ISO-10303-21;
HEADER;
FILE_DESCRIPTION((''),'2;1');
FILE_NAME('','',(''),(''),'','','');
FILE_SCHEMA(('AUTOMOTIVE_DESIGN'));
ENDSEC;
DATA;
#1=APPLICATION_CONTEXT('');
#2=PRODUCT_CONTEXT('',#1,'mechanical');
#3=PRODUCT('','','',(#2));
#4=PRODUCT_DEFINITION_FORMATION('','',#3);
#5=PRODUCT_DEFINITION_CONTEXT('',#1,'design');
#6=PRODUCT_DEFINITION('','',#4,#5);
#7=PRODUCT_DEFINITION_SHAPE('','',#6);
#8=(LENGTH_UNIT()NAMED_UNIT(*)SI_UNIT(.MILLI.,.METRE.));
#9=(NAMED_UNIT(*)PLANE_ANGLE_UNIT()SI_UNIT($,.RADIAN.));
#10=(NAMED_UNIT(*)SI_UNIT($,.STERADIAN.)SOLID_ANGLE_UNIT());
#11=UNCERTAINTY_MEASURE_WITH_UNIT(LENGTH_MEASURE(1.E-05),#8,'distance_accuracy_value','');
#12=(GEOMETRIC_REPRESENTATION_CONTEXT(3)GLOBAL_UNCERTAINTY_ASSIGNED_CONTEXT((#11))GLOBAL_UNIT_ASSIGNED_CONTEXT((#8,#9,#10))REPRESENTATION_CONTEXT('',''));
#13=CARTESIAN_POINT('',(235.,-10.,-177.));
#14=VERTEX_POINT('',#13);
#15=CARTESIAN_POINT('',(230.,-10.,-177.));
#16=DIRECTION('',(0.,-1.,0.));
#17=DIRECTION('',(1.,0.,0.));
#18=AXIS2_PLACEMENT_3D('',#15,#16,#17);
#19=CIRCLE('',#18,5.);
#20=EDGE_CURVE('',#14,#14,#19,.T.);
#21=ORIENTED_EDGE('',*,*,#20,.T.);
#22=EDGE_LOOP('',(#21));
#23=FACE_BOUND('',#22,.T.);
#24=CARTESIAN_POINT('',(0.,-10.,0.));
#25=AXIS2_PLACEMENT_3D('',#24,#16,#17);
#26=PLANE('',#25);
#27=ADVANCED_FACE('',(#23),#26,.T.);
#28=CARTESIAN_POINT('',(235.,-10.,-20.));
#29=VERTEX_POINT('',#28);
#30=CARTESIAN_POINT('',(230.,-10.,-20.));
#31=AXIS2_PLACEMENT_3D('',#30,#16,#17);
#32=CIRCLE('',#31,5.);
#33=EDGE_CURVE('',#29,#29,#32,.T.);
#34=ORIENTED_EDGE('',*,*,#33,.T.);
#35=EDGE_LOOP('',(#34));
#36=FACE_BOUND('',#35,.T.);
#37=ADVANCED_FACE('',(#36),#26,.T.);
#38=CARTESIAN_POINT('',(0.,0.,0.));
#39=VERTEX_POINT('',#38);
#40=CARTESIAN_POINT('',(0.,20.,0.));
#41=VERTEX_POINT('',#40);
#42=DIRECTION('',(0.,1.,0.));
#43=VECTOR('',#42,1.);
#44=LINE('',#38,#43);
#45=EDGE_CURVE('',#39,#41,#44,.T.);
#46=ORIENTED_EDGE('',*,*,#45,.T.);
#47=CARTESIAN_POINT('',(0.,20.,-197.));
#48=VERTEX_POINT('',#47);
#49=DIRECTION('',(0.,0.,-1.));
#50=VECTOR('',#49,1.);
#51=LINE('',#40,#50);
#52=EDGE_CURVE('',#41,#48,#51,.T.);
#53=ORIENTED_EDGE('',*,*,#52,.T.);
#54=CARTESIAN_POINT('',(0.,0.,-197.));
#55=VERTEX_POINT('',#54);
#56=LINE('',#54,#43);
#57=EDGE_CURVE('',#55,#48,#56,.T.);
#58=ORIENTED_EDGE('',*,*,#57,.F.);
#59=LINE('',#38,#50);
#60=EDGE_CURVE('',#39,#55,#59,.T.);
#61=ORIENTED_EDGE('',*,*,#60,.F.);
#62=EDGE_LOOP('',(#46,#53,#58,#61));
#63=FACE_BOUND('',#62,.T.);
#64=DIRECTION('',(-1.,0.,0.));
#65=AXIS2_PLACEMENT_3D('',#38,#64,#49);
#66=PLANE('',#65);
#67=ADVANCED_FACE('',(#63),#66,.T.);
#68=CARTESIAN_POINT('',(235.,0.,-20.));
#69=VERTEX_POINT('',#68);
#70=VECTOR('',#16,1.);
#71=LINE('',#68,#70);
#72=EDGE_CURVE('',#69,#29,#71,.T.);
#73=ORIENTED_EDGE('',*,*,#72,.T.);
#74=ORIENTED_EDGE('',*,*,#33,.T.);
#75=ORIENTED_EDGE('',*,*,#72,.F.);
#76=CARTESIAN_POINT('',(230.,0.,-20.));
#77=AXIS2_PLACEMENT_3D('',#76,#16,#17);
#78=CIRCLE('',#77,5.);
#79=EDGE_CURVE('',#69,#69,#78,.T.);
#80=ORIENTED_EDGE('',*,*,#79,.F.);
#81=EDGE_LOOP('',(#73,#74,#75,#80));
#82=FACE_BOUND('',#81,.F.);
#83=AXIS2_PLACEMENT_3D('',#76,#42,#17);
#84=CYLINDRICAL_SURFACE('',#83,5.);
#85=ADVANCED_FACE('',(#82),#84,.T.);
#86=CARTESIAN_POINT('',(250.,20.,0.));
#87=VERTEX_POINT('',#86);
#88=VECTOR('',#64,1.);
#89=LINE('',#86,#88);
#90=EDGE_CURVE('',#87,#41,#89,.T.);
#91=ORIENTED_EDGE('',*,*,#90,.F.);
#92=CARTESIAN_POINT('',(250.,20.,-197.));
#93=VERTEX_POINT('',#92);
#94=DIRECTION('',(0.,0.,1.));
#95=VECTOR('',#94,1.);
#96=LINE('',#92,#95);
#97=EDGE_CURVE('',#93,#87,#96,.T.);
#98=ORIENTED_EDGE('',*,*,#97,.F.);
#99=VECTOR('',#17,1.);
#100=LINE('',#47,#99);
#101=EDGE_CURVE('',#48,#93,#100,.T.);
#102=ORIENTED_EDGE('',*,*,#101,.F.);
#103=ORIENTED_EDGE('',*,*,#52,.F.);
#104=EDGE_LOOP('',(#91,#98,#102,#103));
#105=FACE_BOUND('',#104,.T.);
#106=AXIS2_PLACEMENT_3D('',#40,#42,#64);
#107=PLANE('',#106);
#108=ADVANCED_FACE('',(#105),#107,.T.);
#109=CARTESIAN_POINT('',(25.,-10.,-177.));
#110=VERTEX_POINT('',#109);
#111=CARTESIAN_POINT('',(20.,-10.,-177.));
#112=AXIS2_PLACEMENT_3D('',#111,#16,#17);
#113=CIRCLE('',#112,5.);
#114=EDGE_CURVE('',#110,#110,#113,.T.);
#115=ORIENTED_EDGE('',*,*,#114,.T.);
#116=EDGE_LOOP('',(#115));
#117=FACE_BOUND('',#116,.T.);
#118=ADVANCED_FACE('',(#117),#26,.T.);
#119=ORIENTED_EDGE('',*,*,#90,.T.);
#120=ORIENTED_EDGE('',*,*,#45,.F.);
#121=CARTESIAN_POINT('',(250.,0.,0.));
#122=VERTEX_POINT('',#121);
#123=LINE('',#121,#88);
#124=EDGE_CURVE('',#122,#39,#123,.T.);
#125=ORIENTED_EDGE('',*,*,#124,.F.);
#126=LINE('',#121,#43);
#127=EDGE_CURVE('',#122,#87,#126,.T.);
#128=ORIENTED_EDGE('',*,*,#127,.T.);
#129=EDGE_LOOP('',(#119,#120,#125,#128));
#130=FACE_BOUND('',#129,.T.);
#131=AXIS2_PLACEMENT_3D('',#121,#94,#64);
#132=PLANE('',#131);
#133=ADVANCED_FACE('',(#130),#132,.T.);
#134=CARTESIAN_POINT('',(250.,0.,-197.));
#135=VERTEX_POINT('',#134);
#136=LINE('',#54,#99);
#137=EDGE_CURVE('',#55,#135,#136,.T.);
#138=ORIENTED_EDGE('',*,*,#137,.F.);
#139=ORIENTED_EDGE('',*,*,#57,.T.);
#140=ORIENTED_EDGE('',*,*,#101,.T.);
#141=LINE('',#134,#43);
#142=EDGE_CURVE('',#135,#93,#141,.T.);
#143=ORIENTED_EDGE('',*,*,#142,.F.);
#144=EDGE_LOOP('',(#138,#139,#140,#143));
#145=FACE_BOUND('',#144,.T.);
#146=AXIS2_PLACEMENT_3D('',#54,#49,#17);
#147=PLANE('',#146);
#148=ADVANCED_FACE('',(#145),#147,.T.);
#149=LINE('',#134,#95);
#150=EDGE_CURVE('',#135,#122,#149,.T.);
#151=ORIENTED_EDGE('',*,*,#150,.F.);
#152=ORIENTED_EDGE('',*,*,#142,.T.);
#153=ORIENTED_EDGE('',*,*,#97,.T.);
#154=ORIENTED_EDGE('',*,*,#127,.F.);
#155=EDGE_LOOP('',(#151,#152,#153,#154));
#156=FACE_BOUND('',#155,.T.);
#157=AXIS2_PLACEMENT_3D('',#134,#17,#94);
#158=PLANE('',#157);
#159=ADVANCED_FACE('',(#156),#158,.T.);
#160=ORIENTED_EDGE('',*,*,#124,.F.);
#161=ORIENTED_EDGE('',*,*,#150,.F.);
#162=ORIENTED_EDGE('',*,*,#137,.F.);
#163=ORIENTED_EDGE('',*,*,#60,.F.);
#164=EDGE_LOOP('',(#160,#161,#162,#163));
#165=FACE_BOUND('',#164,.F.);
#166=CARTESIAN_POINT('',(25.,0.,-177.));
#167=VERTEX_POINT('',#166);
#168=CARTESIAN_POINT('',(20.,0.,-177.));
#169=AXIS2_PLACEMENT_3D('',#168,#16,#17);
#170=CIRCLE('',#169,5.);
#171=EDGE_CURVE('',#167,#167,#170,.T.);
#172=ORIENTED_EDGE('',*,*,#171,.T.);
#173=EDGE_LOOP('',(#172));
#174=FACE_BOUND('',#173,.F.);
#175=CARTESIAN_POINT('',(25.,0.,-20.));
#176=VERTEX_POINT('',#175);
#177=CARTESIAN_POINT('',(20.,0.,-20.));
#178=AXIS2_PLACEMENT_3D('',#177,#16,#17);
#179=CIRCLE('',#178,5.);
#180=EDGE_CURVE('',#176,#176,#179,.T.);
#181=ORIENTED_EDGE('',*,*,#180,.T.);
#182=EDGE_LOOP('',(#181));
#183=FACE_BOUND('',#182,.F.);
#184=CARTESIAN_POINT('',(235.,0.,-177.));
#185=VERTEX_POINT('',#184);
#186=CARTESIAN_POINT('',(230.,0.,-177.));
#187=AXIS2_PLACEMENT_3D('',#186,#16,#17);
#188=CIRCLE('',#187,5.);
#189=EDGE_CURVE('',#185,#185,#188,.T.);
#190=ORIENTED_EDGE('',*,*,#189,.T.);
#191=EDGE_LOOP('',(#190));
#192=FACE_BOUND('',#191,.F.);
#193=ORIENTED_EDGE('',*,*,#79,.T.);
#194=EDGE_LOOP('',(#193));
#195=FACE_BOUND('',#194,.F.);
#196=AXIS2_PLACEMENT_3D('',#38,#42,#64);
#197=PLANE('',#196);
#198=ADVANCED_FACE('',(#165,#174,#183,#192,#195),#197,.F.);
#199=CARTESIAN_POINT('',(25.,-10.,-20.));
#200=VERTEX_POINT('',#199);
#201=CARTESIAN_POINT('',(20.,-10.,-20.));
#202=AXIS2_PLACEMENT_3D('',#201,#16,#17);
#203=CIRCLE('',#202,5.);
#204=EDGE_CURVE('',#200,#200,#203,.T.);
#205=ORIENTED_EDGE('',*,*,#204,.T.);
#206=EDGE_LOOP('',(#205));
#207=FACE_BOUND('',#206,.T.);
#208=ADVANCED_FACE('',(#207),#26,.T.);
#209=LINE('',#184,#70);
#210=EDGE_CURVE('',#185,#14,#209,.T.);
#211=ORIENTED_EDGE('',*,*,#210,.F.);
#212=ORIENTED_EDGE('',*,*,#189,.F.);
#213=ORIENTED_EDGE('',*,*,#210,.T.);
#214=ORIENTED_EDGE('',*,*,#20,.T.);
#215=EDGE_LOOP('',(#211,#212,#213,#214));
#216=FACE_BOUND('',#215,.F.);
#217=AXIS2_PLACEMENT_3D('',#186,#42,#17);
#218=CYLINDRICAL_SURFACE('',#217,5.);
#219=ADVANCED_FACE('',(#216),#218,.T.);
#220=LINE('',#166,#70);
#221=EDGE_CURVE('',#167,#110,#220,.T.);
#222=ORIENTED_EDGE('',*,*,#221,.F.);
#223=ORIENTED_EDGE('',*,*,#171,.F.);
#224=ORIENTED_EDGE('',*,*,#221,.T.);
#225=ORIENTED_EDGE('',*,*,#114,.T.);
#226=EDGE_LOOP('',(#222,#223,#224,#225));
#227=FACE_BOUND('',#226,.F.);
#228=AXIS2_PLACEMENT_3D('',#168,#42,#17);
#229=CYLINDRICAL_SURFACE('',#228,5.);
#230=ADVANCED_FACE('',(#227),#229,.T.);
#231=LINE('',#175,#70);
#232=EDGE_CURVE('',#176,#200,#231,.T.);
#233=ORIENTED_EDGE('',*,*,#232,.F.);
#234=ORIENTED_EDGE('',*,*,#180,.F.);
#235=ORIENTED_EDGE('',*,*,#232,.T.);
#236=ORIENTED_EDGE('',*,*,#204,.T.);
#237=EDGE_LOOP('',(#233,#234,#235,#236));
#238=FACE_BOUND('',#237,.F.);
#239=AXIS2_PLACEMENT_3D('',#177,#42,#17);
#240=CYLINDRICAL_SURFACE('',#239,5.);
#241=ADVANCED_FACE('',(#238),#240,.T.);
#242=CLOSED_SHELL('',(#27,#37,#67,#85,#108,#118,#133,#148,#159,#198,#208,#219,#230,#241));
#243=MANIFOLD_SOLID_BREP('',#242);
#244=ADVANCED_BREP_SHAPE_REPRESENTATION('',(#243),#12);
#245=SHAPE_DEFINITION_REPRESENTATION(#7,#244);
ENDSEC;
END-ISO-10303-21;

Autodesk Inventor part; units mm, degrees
ref_plane "YZ Plane" through (0, 0, 0) normal (1, 0, 0) x (0, 1, 0)
ref_plane "XZ Plane" through (0, 0, 0) normal (0, 1, 0) x (-1, 0, 0)
ref_plane "XY Plane" through (0, 0, 0) normal (0, 0, 1) x (1, 0, 0)
sketch "Sketch1" plane through (0, 0, 0) normal (0, 1, 0) x (-1, 0, 0)
  line L0 (0, -197) -> (-250, -197)
  line L1 (-250, -197) -> (-250, 0)
  line L2 (-250, 0) -> (0, 0)
  line L3 (0, 0) -> (0, -197)
  dimension "d0" = 250
  dimension "d1" = 197
extrude "Extrusion1" add sketch "Sketch1" along normal blind 20
sketch "Sketch2" plane through (0, 0, 0) normal (0, -1, 0) x (1, 0, 0)
  circle A0 centre (20, -20) radius 5
  line L0 (0, -197) -> (250, -197) construction
  line L1 (250, -197) -> (250, 0) construction
  line L2 (250, 0) -> (0, 0) construction
  line L3 (0, 0) -> (0, -197) construction
  circle A1 centre (20, -177) radius 5
  circle A2 centre (230, -20) radius 5
  circle A3 centre (230, -177) radius 5
  dimension "d4" = 10
  dimension "d5" = 20
  dimension "d6" = 20
  dimension "d7" = 10
  dimension "d8" = 20
  dimension "d9" = 20
  dimension "d10" = 10
  dimension "d11" = 10
  dimension "d12" = 20
  dimension "d13" = 20
  dimension "d14" = 20
  dimension "d15" = 20
extrude "Extrusion2" add sketch "Sketch2" along normal blind 10
sketch "Sketch3" plane through (0, 20, 0) normal (0, 1, 0) x (1, 0, 0)
  line L0 (245, 167) -> (245, 127)
  line L1 (245, 127) -> (153.1686, 107.843)
  line L2 (245, 167) -> (153.1686, 186.157)
  arc A0 (153.1686, 186.157) -> (153.1686, 107.843) centre (145, 147) ccw
  line L3 (250, 197) -> (0, 197) construction
  line L4 (0, 197) -> (0, 0) construction
  line L5 (0, 0) -> (250, 0) construction
  line L6 (250, 0) -> (250, 197) construction
  line L7 (250, 0) -> (250, 197) construction
  line L8 (245, 147) -> (145, 147) construction
  dimension "d21" = 5
  dimension "d22" = 30
  dimension "d23" = 40
  dimension "d24" = 80
  dimension "d25" = 100
extrude "Extrusion3" [suppressed]
equation "\"d6\" = d5"
equation "\"d8\" = d5"
equation "\"d9\" = d5"
equation "\"d12\" = d5"
equation "\"d13\" = d5"
equation "\"d14\" = d5"
equation "\"d15\" = d5"
properties part number "basic plate"
